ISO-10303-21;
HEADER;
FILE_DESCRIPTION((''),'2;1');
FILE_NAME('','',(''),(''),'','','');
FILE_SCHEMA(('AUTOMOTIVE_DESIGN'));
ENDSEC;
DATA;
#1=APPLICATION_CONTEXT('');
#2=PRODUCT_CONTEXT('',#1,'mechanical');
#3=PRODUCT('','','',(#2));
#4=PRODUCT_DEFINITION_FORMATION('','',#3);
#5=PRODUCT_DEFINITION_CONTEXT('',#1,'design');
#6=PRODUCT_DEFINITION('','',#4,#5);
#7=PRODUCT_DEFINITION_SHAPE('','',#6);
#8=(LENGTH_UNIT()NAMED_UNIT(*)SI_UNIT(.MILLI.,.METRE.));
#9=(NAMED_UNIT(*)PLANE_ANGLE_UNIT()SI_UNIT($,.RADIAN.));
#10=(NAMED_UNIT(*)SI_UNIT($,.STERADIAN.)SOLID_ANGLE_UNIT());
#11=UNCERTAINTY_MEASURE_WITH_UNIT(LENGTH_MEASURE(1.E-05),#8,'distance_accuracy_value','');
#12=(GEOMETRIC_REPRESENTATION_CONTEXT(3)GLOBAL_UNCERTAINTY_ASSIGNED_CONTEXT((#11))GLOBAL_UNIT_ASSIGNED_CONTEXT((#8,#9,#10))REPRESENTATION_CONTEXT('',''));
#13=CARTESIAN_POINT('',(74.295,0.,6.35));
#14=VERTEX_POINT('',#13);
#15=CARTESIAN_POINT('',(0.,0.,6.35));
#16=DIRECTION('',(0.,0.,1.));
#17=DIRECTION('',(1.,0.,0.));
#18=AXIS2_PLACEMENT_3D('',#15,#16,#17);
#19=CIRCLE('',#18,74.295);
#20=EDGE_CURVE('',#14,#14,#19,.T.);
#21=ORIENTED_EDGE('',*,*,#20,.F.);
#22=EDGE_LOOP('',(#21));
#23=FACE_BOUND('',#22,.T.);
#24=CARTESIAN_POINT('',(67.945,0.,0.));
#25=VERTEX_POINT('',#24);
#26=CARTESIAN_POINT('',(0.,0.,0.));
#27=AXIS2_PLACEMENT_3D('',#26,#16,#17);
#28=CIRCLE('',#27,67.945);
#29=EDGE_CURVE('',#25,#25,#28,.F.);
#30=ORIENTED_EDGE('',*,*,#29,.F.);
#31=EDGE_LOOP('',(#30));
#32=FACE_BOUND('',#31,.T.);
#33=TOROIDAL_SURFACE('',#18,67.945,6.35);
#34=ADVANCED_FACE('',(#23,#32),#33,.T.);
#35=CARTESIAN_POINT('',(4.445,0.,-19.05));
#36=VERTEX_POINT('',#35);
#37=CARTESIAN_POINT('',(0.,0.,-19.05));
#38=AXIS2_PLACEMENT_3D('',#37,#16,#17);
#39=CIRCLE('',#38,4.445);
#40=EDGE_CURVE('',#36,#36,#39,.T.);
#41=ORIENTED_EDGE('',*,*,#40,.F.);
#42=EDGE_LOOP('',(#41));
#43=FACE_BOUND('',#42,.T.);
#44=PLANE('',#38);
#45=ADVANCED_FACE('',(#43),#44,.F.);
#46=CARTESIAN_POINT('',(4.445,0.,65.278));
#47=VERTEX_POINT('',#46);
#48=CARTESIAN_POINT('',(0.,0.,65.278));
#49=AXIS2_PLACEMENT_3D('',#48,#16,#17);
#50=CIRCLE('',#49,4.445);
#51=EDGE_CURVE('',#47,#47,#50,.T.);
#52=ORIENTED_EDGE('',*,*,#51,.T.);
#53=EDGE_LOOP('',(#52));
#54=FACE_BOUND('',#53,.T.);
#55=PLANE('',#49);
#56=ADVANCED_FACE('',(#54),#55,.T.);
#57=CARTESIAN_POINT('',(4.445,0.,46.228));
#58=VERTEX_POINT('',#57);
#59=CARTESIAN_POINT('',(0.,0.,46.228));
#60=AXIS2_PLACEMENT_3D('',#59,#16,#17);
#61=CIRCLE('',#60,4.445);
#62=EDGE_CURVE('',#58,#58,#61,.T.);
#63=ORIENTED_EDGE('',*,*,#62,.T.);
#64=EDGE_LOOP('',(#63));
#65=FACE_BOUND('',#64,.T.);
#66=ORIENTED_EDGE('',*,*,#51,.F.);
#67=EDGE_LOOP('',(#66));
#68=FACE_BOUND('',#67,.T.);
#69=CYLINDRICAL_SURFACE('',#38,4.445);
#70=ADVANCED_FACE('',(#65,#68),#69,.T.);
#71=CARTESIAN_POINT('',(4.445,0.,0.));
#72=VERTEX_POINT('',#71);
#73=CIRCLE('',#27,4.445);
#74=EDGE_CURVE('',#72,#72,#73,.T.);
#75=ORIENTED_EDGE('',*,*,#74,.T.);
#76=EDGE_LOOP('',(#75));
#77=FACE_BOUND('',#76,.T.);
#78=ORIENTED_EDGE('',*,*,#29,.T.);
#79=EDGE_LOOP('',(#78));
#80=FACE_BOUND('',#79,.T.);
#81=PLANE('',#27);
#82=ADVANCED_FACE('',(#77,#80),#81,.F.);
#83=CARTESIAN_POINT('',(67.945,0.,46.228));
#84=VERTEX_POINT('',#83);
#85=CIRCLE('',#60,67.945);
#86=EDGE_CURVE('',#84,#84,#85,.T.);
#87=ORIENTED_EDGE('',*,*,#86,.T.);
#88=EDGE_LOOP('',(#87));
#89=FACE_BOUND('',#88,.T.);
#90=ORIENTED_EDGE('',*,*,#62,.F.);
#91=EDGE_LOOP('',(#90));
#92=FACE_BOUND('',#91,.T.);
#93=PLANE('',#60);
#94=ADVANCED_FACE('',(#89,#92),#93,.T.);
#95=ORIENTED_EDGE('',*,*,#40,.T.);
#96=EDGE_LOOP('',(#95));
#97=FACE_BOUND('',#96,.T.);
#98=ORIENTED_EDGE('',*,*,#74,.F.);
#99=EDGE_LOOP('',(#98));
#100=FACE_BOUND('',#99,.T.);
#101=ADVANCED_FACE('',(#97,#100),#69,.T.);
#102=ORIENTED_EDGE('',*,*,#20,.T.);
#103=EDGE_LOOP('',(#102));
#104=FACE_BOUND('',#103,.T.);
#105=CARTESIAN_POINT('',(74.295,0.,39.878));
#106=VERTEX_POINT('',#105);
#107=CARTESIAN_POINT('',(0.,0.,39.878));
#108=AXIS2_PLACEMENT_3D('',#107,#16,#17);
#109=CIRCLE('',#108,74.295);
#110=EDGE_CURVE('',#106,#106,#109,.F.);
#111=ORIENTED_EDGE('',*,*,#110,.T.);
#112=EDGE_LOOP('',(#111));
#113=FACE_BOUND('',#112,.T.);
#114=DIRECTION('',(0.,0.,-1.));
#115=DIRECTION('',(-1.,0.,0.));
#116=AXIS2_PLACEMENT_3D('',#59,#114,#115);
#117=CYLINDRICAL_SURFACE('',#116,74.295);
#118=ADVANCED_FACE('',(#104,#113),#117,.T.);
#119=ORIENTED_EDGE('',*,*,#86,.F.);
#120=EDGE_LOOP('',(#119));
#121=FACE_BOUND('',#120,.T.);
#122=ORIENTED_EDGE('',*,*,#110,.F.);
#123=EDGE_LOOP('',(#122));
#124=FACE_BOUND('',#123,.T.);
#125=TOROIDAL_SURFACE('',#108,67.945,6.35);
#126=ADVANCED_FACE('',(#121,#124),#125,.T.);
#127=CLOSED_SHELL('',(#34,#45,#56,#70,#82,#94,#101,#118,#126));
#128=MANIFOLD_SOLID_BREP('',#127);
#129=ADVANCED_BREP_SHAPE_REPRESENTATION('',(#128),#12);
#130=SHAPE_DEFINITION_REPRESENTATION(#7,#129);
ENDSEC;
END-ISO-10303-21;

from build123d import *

# Parameters (mm, degrees)
SKETCH1_R                = 74.295
BOSS_EXTRUDE1_DEPTH      = 46.228
FILLET1_R                = 6.35
SKETCH2_R                = 4.445
BOSS_EXTRUDE2_DEPTH      = 19.05
BOSS_EXTRUDE2_DEPTH_BACK = 65.278


with BuildPart() as part:
    # Sketch1 → Boss-Extrude1 (new body)
    with BuildSketch(Plane.XY):
        Circle(SKETCH1_R)
    extrude(amount=BOSS_EXTRUDE1_DEPTH)

    # Fillet1
    fillet1_edges = [part.edges().sort_by_distance(p)[0] for p in [
        (-74.295, 0, 0),
        (-74.295, 0, 46.228),
    ]]
    fillet(fillet1_edges, radius=FILLET1_R)

    # Sketch2 → Boss-Extrude2 (add, two sides)
    with BuildSketch(Plane.XY.offset(46.228)) as boss_extrude2_sk:
        Circle(SKETCH2_R)
    extrude(amount=BOSS_EXTRUDE2_DEPTH)
    extrude(boss_extrude2_sk.sketch, amount=-BOSS_EXTRUDE2_DEPTH_BACK)


solid = part.part
